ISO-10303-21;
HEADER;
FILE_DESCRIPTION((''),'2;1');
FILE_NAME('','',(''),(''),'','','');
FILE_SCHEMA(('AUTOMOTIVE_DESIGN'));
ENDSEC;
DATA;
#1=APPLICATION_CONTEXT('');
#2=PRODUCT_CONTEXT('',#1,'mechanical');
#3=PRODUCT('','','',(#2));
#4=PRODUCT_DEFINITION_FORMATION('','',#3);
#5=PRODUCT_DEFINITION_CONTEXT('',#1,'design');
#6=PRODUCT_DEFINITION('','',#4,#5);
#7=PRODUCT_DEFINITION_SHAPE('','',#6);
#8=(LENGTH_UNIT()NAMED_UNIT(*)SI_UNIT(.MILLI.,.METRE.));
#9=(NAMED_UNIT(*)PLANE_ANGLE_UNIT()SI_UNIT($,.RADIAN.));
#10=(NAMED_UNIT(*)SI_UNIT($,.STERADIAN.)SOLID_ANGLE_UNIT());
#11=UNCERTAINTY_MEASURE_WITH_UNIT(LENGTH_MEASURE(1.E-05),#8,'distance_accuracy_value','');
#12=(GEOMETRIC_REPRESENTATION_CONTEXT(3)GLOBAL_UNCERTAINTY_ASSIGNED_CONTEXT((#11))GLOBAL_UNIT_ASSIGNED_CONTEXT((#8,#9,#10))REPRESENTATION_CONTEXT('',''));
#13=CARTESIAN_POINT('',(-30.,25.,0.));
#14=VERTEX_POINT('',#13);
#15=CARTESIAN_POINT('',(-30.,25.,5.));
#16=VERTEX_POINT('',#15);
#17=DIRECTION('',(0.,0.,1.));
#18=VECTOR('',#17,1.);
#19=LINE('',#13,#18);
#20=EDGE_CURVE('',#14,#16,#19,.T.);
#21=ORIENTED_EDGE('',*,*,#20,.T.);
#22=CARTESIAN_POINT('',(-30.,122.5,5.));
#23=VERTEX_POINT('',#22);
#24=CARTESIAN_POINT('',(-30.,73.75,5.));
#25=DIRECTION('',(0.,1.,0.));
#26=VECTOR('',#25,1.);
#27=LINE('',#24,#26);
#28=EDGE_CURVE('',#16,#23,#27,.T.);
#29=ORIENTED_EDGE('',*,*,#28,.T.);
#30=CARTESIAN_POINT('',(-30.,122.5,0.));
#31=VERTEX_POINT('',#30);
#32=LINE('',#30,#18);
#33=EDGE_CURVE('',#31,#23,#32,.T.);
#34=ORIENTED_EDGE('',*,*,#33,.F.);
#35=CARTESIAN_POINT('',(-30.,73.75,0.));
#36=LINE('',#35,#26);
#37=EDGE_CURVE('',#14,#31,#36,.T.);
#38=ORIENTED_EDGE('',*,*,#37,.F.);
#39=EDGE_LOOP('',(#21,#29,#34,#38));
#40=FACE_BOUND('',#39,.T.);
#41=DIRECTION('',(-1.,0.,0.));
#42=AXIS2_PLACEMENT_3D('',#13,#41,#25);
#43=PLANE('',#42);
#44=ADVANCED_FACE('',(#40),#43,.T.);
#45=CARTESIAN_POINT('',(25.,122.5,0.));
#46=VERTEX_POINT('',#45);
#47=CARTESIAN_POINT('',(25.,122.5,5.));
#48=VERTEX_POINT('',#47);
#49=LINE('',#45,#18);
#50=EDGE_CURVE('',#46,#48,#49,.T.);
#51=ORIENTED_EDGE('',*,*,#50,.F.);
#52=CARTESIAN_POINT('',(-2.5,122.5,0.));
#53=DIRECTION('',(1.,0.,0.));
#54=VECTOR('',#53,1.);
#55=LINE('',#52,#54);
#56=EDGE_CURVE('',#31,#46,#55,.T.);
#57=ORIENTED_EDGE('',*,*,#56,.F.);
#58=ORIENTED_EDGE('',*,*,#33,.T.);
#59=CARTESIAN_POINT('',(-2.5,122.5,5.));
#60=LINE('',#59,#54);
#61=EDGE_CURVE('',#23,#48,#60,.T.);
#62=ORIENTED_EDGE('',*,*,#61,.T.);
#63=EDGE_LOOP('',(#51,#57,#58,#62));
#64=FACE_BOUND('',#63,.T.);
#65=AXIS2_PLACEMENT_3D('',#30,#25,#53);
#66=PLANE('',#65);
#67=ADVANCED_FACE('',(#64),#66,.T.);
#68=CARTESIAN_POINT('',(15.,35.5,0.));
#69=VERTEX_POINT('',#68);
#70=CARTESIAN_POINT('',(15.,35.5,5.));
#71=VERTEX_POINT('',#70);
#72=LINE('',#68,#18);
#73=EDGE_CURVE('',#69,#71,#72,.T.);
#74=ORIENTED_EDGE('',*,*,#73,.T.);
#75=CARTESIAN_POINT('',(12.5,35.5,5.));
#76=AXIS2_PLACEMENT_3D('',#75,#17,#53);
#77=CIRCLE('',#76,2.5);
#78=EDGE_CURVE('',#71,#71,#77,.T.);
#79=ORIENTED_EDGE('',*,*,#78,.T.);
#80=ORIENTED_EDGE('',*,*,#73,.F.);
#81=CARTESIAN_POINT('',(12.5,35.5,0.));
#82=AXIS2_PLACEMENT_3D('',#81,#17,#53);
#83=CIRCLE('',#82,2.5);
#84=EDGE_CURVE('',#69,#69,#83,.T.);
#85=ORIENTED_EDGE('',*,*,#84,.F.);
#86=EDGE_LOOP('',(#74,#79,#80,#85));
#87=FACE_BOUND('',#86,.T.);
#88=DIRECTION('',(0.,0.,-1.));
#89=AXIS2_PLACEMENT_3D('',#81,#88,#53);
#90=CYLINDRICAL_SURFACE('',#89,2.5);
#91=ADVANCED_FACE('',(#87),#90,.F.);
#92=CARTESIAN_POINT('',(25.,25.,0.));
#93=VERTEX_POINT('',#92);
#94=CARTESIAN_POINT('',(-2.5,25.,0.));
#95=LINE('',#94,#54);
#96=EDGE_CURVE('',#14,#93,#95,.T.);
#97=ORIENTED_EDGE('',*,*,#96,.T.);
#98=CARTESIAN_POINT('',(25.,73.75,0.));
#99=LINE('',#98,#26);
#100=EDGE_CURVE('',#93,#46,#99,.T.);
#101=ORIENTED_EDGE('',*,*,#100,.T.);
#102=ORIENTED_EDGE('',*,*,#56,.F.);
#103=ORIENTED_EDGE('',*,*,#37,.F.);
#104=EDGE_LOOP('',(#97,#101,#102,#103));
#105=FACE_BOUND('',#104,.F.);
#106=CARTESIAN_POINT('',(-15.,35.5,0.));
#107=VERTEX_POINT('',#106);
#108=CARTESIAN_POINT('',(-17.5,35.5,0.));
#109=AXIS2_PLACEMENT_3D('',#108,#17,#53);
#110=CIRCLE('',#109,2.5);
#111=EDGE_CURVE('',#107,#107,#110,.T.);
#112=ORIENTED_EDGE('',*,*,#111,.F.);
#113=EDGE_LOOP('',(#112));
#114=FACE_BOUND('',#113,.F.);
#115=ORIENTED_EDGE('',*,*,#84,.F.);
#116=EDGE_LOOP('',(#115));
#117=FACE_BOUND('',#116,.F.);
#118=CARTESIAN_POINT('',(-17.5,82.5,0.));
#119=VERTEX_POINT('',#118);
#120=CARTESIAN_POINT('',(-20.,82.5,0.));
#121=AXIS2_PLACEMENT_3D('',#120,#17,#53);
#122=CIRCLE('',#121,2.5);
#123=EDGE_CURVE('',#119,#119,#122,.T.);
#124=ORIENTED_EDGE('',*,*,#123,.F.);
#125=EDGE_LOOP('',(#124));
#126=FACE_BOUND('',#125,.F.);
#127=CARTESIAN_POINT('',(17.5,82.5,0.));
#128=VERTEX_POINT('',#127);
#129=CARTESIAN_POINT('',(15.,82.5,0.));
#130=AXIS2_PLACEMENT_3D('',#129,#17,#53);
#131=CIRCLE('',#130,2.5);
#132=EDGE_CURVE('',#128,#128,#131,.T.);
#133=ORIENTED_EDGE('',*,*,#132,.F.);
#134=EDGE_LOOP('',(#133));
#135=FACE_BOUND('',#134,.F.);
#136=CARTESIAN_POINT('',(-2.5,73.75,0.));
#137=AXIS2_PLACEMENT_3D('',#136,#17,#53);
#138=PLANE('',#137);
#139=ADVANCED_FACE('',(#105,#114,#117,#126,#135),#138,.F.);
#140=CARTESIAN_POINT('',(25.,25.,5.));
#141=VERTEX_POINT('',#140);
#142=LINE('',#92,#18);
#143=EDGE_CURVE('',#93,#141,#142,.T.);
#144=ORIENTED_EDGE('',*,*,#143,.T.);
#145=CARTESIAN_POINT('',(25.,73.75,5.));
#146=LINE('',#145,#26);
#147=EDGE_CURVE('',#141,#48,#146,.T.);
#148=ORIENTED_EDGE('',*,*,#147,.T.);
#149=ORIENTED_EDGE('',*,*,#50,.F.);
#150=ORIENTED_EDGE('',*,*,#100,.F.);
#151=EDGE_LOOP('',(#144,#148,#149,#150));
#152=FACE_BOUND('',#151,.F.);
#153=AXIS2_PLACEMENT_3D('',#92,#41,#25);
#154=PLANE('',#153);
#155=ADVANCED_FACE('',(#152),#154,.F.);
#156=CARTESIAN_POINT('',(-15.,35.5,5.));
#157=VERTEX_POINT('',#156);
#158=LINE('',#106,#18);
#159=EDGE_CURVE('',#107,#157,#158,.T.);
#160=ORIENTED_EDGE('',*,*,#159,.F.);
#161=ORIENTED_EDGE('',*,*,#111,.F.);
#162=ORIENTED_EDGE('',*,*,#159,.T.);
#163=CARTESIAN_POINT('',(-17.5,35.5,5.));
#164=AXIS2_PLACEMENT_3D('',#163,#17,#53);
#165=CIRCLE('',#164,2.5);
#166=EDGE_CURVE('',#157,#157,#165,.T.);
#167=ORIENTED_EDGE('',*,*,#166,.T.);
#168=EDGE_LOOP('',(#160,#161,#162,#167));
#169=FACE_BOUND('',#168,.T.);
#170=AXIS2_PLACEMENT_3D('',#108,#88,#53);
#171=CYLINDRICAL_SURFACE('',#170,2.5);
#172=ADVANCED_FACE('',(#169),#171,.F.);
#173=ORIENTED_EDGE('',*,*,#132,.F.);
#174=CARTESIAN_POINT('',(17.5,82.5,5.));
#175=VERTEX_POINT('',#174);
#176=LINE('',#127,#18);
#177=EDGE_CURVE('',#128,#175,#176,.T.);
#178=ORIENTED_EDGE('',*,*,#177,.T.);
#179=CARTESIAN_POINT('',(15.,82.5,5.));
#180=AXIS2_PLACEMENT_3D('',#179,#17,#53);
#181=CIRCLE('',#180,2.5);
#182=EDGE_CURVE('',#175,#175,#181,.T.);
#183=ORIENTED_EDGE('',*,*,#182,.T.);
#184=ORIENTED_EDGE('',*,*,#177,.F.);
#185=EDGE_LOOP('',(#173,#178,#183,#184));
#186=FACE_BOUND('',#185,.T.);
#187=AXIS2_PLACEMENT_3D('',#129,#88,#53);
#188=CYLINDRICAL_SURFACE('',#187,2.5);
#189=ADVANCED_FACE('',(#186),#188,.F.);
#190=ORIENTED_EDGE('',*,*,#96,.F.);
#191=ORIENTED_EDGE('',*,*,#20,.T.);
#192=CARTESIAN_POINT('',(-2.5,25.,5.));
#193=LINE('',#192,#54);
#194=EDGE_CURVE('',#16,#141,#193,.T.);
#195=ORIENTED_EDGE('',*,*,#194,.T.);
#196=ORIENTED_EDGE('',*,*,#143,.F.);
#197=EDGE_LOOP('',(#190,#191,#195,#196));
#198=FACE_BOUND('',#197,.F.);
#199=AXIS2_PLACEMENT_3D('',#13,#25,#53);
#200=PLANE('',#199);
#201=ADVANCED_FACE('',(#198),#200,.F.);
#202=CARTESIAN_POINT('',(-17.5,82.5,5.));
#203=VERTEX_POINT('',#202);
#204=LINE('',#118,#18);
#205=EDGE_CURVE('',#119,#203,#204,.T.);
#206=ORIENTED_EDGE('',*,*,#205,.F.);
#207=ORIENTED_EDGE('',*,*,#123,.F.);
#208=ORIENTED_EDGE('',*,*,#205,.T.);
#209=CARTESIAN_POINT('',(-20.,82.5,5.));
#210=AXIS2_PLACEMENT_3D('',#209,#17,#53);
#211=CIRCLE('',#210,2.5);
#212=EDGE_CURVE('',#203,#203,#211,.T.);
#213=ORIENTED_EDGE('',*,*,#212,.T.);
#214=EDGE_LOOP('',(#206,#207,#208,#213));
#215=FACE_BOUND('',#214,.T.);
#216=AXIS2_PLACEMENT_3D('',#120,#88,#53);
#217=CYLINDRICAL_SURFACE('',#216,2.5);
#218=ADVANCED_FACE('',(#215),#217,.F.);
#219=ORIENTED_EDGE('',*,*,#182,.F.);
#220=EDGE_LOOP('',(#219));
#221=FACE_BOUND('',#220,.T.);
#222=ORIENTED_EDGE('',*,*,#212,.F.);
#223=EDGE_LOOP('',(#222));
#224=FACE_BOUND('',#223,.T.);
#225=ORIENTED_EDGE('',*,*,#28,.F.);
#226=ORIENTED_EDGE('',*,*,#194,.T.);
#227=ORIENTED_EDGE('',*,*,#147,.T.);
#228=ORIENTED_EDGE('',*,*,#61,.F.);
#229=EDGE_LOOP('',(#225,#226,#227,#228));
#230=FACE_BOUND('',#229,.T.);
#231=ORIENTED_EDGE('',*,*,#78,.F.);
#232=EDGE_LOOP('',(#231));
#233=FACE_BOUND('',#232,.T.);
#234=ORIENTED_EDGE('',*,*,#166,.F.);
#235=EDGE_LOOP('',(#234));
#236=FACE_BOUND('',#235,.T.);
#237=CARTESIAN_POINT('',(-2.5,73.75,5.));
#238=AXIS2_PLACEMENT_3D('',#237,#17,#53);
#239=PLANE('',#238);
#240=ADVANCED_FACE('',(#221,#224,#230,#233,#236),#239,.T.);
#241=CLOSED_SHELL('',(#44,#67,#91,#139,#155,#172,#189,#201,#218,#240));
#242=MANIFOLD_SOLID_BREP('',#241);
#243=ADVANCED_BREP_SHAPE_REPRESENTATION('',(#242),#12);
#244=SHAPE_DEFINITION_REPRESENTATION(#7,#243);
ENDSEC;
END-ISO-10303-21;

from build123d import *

# Parameters (mm, degrees)
SKETCH_W  = 55
SKETCH_H  = 97.5
SKETCH_R  = 2.5
PAD_DEPTH = 5


with BuildPart() as part:
    # Sketch → Pad (new body)
    with BuildSketch(Plane.XY):
        with Locations((-2.5, 73.75)):
            Rectangle(SKETCH_W, SKETCH_H)
        with Locations((12.5, 35.5)):
            Circle(SKETCH_R, mode=Mode.SUBTRACT)
        with Locations((-17.5, 35.5)):
            Circle(SKETCH_R, mode=Mode.SUBTRACT)
        with Locations((-20, 82.5)):
            Circle(SKETCH_R, mode=Mode.SUBTRACT)
        with Locations((15, 82.5)):
            Circle(SKETCH_R, mode=Mode.SUBTRACT)
    extrude(amount=PAD_DEPTH)


solid = part.part
